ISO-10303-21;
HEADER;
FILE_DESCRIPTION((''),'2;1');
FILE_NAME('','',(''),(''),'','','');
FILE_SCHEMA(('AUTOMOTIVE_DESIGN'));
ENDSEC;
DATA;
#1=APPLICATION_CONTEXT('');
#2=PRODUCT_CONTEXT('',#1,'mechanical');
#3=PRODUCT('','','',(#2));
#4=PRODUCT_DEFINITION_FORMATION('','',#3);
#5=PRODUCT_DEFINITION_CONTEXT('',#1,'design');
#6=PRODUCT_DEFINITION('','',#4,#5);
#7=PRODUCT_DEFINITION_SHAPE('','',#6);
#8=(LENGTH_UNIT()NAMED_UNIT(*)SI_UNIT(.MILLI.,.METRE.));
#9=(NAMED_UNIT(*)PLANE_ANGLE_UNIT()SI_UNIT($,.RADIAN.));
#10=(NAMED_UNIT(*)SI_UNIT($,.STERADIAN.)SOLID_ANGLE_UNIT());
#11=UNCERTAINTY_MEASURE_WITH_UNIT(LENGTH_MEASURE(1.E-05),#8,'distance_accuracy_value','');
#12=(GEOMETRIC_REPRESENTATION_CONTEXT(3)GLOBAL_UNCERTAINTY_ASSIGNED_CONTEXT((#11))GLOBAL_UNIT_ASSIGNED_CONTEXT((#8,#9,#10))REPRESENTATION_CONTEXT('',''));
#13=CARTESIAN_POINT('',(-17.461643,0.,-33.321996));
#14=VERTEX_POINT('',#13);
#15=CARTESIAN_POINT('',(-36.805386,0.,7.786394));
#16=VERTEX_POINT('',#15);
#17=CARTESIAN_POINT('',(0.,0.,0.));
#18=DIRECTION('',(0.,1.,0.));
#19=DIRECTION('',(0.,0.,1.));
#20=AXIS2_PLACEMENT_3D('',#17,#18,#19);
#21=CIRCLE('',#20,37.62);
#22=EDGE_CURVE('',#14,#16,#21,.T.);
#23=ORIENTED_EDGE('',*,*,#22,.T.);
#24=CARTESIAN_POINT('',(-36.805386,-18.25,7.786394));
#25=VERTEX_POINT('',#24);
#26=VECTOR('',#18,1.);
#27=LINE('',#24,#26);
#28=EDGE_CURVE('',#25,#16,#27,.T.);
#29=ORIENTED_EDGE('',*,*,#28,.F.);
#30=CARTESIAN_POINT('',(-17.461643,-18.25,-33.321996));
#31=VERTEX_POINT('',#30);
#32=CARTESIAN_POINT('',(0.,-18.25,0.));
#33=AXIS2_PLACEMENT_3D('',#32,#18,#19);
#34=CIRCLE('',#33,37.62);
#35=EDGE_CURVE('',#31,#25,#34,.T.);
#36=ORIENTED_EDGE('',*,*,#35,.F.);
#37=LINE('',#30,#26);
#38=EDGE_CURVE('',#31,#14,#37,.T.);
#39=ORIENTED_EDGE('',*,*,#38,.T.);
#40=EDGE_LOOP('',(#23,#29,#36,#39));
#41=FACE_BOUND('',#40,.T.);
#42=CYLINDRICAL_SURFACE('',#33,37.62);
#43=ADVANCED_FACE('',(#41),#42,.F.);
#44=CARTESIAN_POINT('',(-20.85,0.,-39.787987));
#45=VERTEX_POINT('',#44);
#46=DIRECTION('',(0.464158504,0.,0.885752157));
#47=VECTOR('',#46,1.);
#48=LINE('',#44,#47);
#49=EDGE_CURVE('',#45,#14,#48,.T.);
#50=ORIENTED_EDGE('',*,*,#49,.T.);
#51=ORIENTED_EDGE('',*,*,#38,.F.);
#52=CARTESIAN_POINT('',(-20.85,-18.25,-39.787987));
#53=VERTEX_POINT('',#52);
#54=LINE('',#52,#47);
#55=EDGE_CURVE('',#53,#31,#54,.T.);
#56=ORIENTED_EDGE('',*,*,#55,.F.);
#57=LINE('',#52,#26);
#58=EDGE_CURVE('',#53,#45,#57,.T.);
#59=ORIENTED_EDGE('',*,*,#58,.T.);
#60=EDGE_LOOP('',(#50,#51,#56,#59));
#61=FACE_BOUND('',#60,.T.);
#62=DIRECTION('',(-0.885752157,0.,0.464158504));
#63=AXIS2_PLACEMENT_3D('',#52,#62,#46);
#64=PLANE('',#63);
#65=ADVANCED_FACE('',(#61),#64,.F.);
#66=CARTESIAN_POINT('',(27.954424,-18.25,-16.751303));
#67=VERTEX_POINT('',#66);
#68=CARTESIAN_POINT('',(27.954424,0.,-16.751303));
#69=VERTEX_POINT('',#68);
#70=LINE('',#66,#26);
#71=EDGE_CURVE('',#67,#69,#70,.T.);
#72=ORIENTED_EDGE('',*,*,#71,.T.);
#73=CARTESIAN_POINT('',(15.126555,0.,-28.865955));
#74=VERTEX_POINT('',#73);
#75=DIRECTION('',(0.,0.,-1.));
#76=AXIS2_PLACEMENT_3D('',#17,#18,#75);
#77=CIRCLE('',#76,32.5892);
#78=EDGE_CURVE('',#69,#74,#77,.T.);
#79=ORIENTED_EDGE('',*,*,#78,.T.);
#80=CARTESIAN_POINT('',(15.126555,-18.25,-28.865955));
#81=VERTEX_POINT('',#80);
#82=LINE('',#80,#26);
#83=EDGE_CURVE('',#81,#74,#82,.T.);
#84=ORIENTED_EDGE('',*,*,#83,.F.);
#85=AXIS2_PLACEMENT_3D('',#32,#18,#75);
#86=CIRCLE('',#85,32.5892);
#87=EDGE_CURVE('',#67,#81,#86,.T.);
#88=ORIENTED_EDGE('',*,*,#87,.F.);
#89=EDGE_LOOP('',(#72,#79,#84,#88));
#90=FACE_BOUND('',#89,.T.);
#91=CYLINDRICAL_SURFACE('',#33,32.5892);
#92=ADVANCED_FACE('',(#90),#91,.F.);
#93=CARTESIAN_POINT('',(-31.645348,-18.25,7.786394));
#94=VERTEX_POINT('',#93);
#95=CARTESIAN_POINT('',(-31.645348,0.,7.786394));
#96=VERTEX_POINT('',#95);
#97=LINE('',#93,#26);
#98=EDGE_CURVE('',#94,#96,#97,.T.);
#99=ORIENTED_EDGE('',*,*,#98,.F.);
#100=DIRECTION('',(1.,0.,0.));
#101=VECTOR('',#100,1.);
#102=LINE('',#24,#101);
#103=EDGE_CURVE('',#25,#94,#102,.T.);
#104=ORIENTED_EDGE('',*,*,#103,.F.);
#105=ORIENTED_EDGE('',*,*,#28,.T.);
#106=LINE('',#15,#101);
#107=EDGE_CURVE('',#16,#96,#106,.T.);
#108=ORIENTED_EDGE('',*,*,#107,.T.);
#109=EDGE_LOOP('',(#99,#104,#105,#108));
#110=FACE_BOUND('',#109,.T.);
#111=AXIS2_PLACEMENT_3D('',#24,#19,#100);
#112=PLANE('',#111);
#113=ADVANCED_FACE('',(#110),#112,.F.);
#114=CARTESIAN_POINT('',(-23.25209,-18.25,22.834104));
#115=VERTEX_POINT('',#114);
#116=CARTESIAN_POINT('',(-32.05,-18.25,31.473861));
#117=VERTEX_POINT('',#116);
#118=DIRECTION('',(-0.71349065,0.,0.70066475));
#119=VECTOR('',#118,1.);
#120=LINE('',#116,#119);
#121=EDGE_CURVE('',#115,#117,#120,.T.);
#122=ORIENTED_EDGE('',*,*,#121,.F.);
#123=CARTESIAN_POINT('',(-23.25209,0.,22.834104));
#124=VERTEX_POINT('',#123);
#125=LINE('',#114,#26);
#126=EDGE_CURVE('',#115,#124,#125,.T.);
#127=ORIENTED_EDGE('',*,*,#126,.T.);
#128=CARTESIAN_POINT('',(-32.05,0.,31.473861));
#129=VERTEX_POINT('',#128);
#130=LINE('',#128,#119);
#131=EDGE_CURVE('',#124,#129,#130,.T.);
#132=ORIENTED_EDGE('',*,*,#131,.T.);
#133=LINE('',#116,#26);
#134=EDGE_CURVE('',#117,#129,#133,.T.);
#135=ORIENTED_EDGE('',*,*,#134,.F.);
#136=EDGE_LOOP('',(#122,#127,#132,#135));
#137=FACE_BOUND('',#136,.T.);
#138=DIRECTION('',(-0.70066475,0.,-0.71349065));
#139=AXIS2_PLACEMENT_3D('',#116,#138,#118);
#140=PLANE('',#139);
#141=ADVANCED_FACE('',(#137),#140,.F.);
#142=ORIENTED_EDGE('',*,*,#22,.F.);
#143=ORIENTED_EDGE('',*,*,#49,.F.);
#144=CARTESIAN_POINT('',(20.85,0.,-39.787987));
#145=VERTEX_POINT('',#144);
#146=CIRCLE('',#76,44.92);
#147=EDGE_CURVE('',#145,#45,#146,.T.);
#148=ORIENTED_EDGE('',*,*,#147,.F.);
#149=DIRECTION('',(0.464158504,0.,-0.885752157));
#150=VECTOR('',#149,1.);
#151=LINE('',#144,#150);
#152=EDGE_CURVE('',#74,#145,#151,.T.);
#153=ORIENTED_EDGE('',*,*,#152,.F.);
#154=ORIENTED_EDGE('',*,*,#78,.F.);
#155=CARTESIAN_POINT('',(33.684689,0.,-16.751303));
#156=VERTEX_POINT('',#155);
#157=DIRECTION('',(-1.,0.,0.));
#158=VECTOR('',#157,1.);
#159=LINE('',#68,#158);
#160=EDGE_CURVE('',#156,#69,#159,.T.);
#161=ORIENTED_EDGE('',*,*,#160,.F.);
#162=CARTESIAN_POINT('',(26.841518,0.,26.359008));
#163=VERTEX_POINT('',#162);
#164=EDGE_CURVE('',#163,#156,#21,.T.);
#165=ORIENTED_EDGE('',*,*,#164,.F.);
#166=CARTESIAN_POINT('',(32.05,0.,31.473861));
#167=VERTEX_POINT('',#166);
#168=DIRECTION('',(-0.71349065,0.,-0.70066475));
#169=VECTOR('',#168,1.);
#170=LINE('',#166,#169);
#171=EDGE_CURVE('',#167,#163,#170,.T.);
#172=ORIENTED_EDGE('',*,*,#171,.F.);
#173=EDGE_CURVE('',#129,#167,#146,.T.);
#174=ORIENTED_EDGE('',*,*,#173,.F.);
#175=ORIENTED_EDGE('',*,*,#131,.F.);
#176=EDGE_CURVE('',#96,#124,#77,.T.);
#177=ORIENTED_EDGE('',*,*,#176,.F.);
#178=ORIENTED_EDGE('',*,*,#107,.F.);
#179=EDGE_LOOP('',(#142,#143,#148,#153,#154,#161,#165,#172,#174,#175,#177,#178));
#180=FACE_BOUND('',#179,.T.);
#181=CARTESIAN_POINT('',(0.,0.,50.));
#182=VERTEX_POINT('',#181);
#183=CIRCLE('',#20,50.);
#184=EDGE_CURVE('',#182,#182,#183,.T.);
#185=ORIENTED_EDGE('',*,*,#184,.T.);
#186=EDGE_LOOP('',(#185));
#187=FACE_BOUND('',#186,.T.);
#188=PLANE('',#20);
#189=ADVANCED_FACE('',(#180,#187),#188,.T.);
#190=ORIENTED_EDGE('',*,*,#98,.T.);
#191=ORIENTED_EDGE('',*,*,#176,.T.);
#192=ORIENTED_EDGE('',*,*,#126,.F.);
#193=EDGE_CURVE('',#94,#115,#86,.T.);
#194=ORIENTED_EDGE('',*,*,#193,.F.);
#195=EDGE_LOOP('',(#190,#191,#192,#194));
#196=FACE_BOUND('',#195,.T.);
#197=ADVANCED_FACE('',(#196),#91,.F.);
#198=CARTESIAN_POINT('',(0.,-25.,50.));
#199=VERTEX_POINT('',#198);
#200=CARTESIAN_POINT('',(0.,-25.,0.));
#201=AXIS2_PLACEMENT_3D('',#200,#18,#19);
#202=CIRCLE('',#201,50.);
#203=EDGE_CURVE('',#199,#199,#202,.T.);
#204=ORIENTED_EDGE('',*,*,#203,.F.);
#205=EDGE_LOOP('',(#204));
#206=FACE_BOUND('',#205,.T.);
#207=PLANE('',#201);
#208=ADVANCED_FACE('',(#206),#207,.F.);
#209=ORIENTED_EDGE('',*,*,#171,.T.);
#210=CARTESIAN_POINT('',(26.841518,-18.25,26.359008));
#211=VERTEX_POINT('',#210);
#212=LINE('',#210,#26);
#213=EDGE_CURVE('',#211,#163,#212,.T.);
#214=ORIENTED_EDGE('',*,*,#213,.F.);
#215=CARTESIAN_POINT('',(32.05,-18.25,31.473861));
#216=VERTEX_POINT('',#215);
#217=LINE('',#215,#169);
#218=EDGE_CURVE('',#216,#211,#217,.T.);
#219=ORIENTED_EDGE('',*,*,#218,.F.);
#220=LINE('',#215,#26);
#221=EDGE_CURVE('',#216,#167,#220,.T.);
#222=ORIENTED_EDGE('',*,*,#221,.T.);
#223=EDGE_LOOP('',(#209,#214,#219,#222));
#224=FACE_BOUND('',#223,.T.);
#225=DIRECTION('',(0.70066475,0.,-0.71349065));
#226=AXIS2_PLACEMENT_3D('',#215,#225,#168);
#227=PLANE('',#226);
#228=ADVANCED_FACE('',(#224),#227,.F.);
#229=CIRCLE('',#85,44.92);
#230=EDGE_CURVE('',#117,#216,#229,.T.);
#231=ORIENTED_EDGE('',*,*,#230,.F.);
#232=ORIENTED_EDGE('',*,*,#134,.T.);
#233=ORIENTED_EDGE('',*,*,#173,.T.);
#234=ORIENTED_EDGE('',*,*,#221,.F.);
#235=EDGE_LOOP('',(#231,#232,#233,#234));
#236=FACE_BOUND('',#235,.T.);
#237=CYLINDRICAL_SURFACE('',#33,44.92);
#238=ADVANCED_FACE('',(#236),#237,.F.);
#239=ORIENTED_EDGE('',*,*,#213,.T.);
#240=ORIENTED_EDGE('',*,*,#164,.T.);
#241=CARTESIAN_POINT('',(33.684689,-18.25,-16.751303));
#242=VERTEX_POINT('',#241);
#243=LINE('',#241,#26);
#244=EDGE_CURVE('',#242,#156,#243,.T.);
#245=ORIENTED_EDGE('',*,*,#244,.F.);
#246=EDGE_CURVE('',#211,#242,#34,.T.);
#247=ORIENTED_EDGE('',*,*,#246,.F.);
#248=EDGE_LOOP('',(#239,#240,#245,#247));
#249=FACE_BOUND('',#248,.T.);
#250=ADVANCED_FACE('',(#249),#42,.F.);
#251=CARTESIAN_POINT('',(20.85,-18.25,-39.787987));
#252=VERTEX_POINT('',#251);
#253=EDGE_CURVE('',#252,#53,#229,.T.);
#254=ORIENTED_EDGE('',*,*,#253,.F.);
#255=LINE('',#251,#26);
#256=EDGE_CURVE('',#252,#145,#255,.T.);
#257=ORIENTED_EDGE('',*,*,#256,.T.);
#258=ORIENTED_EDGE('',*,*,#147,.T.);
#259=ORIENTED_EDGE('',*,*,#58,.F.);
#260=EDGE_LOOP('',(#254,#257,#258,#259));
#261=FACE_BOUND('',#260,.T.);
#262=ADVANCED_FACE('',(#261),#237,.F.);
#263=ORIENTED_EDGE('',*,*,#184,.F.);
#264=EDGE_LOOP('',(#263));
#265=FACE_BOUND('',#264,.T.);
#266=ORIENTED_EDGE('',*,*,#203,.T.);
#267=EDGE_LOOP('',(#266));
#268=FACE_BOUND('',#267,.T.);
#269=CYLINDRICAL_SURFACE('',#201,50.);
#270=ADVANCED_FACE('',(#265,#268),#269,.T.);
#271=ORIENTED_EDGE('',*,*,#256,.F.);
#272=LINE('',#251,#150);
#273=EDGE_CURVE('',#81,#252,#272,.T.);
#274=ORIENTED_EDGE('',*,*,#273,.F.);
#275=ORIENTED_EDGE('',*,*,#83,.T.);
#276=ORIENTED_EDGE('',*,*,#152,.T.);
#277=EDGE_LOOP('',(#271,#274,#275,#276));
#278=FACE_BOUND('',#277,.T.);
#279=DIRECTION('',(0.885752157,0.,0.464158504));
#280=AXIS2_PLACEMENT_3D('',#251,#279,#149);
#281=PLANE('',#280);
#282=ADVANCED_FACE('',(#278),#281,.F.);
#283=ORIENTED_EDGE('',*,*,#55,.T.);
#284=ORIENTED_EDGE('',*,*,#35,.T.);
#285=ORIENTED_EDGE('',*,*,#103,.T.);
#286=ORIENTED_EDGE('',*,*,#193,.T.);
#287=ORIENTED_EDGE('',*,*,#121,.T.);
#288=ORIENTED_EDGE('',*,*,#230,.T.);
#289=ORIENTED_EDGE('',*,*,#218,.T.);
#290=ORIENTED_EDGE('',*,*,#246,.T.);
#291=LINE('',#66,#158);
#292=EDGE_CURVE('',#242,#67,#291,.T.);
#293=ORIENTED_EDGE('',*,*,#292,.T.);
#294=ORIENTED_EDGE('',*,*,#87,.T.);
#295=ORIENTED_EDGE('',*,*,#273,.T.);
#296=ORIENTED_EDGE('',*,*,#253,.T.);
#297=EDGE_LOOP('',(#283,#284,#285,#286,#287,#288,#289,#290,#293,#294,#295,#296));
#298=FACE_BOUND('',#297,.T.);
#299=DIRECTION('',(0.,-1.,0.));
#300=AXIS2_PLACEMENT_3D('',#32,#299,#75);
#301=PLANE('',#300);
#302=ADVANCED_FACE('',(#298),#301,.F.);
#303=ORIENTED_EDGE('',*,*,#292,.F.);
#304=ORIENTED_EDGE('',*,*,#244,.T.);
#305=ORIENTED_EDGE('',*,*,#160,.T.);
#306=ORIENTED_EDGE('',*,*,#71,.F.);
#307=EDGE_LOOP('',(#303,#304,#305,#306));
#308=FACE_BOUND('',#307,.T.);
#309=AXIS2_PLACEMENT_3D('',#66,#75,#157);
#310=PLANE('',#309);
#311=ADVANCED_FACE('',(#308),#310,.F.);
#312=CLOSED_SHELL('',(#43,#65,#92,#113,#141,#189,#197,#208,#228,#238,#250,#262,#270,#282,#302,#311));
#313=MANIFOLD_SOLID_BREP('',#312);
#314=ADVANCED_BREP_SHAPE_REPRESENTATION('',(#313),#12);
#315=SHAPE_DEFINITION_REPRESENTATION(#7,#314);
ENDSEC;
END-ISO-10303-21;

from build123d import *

# Parameters (mm, degrees)
SKETCH1_R           = 50
BOSS_EXTRUDE1_DEPTH = 25
CUT_EXTRUDE1_DEPTH  = 18.25


with BuildPart() as part:
    # Sketch1 → Boss-Extrude1 (new body)
    with BuildSketch(Plane(origin=(0, 0, 0), x_dir=(1, 0, 0), z_dir=(0, 1, 0))):
        with Locations(Location((0, 0, 0), (0, 0, 270))):
            Circle(SKETCH1_R)
    extrude(amount=-BOSS_EXTRUDE1_DEPTH)

    # Sketch2 → Cut-Extrude1 (cut)
    with BuildSketch(Plane(origin=(0, 0, 0), x_dir=(1, 0, 0), z_dir=(0, 1, 0))):
        with BuildLine():
            Line((-20.85, 39.78798688), (-17.461642921, 33.321996136))
            ThreePointArc((-17.461642921, 33.321996136), (-34.039720295, 16.017547946), (-36.805386336, -7.786394331))
            Line((-36.805386336, -7.786394331), (-31.645347938, -7.786394331))
            ThreePointArc((-31.645347938, -7.786394331), (-28.461211468, -15.874993686), (-23.252089779, -22.834103961))
            Line((-23.252089779, -22.834103961), (-32.05, -31.473860583))
            ThreePointArc((-32.05, -31.473860583), (0, -44.92), (32.05, -31.473860583))
            Line((32.05, -31.473860583), (26.841518255, -26.359007906))
            ThreePointArc((26.841518255, -26.359007906), (37.154813328, -5.897817101), (33.684688853, 16.751302542))
            Line((33.684688853, 16.751302542), (27.954424443, 16.751302542))
            ThreePointArc((27.954424443, 16.751302542), (25.023160627, 20.878156409), (21.488186441, 24.501302542))
            ThreePointArc((21.488186441, 24.501302542), (18.436983495, 26.872544025), (15.126554505, 28.865954542))
            Line((15.126554505, 28.865954542), (20.85, 39.78798688))
            ThreePointArc((20.85, 39.78798688), (0, 44.92), (-20.85, 39.78798688))
        make_face()
    extrude(amount=-CUT_EXTRUDE1_DEPTH, mode=Mode.SUBTRACT)


solid = part.part
